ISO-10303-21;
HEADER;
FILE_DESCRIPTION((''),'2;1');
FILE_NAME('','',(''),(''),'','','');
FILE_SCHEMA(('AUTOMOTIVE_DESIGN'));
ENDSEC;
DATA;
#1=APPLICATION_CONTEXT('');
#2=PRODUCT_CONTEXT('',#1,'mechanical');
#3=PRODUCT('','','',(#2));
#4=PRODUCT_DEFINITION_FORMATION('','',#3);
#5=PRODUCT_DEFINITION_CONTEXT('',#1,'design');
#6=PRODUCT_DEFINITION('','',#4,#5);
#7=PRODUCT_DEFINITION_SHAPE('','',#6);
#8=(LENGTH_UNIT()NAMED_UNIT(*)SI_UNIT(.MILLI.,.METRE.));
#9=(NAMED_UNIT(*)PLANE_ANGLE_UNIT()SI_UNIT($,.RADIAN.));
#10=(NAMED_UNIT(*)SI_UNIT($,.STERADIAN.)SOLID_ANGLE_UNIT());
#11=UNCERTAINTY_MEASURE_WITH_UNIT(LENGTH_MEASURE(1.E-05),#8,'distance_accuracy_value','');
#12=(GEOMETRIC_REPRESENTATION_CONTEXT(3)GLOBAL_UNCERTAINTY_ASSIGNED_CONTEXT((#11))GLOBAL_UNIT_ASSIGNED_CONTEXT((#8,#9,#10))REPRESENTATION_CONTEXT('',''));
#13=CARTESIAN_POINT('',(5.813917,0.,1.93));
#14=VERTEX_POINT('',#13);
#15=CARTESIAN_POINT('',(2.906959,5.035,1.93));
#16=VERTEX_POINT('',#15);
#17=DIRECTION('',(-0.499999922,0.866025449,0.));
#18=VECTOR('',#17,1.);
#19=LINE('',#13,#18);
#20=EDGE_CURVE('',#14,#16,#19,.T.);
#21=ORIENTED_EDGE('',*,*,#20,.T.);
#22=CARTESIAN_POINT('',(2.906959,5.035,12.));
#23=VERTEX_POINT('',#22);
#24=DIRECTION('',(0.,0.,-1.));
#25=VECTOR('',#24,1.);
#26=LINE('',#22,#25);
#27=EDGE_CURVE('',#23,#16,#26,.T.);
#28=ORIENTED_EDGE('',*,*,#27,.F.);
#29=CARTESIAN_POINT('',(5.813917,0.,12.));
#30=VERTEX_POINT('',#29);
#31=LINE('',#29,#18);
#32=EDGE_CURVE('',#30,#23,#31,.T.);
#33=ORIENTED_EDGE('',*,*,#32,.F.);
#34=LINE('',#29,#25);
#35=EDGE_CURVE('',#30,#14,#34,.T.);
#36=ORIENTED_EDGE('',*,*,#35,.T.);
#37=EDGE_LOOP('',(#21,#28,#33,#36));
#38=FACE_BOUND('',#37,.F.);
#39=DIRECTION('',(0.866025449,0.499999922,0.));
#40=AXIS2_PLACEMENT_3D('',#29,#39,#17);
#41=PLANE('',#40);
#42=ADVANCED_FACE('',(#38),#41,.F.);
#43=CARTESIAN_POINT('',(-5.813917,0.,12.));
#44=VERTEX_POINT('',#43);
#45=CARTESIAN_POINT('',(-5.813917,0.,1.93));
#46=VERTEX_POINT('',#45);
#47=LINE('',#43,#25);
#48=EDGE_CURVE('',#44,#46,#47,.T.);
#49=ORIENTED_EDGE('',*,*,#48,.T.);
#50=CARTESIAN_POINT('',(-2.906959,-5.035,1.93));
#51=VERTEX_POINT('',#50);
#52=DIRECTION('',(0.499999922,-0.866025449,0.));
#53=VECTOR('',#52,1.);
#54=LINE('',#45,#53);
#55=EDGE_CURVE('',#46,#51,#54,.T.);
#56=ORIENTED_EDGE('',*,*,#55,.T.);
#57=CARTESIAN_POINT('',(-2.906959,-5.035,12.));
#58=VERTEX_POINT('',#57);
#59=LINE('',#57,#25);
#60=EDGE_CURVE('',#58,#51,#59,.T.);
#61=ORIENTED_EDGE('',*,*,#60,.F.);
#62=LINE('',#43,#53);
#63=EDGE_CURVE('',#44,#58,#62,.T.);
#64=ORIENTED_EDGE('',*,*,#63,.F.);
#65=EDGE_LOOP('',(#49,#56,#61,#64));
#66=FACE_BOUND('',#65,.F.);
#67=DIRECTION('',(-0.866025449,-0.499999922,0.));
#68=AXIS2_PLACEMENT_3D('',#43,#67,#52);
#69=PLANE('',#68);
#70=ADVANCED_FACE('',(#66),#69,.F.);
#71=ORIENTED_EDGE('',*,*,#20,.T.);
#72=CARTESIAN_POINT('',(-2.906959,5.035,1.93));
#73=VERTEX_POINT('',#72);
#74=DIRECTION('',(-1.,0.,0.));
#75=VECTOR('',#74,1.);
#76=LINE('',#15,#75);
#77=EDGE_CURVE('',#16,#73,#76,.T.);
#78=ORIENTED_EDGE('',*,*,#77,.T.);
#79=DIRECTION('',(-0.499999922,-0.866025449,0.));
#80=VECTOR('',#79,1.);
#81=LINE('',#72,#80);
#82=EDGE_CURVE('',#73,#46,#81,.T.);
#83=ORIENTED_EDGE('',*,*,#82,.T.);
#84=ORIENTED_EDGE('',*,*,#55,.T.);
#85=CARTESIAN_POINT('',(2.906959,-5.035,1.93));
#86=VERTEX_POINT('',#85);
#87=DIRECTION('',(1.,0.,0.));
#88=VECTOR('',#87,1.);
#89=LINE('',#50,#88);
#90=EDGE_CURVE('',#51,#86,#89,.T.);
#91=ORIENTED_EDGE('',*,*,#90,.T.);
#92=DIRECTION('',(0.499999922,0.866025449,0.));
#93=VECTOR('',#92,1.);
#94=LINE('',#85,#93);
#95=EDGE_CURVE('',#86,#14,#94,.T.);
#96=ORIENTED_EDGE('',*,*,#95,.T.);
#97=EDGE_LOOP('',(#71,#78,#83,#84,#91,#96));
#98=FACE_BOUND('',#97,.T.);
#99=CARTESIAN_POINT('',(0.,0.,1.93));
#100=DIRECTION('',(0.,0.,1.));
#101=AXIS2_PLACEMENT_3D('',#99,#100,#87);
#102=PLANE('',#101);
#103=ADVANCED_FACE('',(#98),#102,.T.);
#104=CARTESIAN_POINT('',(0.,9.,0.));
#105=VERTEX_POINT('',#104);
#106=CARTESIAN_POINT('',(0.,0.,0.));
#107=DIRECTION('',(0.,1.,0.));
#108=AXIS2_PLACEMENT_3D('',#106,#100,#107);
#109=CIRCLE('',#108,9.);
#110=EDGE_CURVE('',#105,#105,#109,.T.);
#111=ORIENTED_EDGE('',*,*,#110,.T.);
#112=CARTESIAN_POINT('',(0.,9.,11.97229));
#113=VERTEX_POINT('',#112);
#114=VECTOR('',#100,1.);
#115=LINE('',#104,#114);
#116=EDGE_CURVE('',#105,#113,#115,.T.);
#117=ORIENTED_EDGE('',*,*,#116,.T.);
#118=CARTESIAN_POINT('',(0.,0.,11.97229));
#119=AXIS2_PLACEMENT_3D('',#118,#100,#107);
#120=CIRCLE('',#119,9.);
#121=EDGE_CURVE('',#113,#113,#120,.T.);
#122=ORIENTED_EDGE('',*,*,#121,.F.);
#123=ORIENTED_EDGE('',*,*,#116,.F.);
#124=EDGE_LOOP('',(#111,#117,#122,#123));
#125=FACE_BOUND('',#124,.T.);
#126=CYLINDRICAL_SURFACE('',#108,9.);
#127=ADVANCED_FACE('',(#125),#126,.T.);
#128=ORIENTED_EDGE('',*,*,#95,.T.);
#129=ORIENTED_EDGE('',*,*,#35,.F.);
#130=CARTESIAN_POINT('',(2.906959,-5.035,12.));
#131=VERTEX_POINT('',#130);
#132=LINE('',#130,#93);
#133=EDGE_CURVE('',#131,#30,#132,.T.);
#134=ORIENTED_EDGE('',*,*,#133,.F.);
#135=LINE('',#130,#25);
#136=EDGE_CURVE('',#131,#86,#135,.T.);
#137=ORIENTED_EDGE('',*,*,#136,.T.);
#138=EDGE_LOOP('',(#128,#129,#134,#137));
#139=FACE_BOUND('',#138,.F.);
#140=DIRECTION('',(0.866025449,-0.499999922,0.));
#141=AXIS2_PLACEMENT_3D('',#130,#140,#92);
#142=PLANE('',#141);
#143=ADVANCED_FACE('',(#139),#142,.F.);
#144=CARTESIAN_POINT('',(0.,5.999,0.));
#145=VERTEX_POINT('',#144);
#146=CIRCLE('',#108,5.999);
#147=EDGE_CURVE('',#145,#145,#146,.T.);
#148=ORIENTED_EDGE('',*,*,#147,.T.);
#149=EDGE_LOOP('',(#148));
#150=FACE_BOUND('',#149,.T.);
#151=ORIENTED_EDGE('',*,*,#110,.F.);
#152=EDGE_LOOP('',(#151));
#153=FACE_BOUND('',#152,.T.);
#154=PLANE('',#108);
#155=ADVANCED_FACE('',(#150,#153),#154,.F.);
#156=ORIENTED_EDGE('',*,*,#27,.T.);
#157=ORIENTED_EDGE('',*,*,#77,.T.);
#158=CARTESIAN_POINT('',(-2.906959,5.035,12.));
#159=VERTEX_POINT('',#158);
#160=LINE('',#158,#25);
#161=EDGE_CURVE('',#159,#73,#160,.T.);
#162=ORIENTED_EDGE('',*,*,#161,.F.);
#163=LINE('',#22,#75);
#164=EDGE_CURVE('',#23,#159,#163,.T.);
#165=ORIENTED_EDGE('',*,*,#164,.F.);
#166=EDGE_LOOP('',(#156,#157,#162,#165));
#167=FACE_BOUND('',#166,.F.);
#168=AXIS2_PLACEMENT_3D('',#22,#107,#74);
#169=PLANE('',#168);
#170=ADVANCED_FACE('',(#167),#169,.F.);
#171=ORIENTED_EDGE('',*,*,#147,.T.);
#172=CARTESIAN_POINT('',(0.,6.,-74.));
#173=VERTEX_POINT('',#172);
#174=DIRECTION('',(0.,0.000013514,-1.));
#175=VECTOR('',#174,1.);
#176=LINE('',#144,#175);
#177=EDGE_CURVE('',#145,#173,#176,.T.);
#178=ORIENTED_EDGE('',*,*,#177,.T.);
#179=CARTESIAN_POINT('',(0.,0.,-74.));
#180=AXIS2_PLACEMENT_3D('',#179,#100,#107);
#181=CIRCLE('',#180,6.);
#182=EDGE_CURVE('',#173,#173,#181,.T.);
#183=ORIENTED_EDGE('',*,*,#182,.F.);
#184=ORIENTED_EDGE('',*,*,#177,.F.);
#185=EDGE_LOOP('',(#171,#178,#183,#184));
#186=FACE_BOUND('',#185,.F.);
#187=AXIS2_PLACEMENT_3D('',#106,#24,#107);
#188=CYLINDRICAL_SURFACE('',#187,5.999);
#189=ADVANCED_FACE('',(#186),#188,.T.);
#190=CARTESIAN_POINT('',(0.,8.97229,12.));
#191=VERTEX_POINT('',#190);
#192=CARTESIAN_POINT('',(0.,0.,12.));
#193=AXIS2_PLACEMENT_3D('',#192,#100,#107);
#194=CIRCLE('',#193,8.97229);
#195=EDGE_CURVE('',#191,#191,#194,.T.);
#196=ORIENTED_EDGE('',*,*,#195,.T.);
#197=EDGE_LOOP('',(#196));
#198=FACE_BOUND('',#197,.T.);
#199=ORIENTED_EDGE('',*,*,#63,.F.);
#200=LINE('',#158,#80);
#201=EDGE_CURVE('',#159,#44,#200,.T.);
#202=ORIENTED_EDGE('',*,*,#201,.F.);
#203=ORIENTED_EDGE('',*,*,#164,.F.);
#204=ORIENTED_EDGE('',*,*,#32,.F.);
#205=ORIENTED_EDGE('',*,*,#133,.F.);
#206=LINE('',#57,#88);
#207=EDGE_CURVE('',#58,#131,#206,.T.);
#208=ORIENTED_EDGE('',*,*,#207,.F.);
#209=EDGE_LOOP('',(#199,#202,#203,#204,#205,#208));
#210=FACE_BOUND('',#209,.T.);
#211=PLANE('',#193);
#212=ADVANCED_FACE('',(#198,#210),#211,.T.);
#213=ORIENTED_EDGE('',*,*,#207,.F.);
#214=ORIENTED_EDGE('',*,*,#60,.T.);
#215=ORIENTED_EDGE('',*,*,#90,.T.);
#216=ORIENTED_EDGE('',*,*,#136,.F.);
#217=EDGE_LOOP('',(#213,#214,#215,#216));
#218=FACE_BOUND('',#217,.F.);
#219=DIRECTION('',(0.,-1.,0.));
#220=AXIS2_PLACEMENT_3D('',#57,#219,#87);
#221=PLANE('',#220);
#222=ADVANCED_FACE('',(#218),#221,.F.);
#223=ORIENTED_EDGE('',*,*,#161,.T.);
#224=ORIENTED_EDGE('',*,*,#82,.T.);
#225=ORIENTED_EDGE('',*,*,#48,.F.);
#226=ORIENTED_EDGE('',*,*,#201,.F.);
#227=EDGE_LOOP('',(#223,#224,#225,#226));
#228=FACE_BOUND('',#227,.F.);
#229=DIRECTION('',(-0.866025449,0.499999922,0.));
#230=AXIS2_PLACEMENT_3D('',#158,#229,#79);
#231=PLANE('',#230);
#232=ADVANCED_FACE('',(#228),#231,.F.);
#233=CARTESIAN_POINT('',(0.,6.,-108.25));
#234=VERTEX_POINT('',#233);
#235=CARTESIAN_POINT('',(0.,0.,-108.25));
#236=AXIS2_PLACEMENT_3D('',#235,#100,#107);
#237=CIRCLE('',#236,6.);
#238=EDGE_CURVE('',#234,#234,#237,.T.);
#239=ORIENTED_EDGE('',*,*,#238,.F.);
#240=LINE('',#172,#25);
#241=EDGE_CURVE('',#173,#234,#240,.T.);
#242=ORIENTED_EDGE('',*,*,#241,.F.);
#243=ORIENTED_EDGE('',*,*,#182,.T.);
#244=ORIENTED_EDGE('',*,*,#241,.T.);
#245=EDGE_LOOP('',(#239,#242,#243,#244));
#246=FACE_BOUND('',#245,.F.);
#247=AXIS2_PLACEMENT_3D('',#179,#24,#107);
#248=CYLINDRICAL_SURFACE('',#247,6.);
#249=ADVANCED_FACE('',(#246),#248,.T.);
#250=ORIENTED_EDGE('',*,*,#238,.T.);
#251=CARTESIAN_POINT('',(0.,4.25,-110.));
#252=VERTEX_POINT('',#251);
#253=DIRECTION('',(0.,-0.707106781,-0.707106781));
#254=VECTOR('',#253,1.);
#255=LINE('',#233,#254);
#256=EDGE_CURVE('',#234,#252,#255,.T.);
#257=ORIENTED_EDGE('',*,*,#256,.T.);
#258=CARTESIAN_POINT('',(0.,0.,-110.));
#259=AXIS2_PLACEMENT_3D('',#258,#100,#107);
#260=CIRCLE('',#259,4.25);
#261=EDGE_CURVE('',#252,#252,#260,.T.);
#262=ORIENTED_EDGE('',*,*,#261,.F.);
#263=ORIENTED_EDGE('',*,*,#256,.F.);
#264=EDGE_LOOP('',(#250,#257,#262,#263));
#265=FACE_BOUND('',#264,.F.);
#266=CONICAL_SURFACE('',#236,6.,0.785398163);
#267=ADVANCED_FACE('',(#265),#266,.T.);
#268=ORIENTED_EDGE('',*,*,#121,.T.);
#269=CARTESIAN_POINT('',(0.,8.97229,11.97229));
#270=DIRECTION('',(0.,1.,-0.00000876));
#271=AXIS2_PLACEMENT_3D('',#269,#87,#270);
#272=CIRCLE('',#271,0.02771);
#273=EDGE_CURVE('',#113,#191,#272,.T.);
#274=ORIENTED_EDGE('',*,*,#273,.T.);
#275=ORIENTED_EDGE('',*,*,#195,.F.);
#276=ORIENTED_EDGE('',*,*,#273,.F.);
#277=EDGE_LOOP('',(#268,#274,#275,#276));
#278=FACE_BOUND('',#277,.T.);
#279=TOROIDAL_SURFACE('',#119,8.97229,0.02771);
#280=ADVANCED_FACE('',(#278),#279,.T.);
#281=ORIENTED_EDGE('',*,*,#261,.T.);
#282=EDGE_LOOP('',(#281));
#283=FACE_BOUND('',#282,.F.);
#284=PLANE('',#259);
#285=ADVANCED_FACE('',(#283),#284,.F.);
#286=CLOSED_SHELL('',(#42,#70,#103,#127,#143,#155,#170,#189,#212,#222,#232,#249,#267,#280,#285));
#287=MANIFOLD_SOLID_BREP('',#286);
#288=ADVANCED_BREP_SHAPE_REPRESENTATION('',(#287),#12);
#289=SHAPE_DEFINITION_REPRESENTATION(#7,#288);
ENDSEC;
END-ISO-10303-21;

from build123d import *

# Parameters (mm, degrees)
POCKET_DEPTH = 10.07


with BuildPart() as part:
    # Sketch → Revolve (revolve)
    with BuildSketch(Plane.YZ):
        with BuildLine():
            Line((5.999, 0), (9, 0))
            Line((9, 0), (9, 11.97229))
            ThreePointArc((9, 11.97229), (8.991884, 11.991884), (8.97229, 12))
            Line((8.97229, 12), (0, 12))
            Line((0, -110), (0, 12))
            Line((4.25, -110), (0, -110))
            Line((6, -108.25), (4.25, -110))
            Line((6, -74), (6, -108.25))
            Line((5.999, 0), (6, -74))
        make_face()
    revolve(axis=Axis((0, 0, 0), (0, 0, 1)))

    # Sketch001 → Pocket (cut)
    with BuildSketch(Plane.XY.offset(12)):
        Polygon((5.813917, 0), (2.906959, 5.035), (-2.906959, 5.035), (-5.813917, 0), (-2.906959, -5.035), (2.906959, -5.035), align=None)
    extrude(amount=-POCKET_DEPTH, mode=Mode.SUBTRACT)


solid = part.part
